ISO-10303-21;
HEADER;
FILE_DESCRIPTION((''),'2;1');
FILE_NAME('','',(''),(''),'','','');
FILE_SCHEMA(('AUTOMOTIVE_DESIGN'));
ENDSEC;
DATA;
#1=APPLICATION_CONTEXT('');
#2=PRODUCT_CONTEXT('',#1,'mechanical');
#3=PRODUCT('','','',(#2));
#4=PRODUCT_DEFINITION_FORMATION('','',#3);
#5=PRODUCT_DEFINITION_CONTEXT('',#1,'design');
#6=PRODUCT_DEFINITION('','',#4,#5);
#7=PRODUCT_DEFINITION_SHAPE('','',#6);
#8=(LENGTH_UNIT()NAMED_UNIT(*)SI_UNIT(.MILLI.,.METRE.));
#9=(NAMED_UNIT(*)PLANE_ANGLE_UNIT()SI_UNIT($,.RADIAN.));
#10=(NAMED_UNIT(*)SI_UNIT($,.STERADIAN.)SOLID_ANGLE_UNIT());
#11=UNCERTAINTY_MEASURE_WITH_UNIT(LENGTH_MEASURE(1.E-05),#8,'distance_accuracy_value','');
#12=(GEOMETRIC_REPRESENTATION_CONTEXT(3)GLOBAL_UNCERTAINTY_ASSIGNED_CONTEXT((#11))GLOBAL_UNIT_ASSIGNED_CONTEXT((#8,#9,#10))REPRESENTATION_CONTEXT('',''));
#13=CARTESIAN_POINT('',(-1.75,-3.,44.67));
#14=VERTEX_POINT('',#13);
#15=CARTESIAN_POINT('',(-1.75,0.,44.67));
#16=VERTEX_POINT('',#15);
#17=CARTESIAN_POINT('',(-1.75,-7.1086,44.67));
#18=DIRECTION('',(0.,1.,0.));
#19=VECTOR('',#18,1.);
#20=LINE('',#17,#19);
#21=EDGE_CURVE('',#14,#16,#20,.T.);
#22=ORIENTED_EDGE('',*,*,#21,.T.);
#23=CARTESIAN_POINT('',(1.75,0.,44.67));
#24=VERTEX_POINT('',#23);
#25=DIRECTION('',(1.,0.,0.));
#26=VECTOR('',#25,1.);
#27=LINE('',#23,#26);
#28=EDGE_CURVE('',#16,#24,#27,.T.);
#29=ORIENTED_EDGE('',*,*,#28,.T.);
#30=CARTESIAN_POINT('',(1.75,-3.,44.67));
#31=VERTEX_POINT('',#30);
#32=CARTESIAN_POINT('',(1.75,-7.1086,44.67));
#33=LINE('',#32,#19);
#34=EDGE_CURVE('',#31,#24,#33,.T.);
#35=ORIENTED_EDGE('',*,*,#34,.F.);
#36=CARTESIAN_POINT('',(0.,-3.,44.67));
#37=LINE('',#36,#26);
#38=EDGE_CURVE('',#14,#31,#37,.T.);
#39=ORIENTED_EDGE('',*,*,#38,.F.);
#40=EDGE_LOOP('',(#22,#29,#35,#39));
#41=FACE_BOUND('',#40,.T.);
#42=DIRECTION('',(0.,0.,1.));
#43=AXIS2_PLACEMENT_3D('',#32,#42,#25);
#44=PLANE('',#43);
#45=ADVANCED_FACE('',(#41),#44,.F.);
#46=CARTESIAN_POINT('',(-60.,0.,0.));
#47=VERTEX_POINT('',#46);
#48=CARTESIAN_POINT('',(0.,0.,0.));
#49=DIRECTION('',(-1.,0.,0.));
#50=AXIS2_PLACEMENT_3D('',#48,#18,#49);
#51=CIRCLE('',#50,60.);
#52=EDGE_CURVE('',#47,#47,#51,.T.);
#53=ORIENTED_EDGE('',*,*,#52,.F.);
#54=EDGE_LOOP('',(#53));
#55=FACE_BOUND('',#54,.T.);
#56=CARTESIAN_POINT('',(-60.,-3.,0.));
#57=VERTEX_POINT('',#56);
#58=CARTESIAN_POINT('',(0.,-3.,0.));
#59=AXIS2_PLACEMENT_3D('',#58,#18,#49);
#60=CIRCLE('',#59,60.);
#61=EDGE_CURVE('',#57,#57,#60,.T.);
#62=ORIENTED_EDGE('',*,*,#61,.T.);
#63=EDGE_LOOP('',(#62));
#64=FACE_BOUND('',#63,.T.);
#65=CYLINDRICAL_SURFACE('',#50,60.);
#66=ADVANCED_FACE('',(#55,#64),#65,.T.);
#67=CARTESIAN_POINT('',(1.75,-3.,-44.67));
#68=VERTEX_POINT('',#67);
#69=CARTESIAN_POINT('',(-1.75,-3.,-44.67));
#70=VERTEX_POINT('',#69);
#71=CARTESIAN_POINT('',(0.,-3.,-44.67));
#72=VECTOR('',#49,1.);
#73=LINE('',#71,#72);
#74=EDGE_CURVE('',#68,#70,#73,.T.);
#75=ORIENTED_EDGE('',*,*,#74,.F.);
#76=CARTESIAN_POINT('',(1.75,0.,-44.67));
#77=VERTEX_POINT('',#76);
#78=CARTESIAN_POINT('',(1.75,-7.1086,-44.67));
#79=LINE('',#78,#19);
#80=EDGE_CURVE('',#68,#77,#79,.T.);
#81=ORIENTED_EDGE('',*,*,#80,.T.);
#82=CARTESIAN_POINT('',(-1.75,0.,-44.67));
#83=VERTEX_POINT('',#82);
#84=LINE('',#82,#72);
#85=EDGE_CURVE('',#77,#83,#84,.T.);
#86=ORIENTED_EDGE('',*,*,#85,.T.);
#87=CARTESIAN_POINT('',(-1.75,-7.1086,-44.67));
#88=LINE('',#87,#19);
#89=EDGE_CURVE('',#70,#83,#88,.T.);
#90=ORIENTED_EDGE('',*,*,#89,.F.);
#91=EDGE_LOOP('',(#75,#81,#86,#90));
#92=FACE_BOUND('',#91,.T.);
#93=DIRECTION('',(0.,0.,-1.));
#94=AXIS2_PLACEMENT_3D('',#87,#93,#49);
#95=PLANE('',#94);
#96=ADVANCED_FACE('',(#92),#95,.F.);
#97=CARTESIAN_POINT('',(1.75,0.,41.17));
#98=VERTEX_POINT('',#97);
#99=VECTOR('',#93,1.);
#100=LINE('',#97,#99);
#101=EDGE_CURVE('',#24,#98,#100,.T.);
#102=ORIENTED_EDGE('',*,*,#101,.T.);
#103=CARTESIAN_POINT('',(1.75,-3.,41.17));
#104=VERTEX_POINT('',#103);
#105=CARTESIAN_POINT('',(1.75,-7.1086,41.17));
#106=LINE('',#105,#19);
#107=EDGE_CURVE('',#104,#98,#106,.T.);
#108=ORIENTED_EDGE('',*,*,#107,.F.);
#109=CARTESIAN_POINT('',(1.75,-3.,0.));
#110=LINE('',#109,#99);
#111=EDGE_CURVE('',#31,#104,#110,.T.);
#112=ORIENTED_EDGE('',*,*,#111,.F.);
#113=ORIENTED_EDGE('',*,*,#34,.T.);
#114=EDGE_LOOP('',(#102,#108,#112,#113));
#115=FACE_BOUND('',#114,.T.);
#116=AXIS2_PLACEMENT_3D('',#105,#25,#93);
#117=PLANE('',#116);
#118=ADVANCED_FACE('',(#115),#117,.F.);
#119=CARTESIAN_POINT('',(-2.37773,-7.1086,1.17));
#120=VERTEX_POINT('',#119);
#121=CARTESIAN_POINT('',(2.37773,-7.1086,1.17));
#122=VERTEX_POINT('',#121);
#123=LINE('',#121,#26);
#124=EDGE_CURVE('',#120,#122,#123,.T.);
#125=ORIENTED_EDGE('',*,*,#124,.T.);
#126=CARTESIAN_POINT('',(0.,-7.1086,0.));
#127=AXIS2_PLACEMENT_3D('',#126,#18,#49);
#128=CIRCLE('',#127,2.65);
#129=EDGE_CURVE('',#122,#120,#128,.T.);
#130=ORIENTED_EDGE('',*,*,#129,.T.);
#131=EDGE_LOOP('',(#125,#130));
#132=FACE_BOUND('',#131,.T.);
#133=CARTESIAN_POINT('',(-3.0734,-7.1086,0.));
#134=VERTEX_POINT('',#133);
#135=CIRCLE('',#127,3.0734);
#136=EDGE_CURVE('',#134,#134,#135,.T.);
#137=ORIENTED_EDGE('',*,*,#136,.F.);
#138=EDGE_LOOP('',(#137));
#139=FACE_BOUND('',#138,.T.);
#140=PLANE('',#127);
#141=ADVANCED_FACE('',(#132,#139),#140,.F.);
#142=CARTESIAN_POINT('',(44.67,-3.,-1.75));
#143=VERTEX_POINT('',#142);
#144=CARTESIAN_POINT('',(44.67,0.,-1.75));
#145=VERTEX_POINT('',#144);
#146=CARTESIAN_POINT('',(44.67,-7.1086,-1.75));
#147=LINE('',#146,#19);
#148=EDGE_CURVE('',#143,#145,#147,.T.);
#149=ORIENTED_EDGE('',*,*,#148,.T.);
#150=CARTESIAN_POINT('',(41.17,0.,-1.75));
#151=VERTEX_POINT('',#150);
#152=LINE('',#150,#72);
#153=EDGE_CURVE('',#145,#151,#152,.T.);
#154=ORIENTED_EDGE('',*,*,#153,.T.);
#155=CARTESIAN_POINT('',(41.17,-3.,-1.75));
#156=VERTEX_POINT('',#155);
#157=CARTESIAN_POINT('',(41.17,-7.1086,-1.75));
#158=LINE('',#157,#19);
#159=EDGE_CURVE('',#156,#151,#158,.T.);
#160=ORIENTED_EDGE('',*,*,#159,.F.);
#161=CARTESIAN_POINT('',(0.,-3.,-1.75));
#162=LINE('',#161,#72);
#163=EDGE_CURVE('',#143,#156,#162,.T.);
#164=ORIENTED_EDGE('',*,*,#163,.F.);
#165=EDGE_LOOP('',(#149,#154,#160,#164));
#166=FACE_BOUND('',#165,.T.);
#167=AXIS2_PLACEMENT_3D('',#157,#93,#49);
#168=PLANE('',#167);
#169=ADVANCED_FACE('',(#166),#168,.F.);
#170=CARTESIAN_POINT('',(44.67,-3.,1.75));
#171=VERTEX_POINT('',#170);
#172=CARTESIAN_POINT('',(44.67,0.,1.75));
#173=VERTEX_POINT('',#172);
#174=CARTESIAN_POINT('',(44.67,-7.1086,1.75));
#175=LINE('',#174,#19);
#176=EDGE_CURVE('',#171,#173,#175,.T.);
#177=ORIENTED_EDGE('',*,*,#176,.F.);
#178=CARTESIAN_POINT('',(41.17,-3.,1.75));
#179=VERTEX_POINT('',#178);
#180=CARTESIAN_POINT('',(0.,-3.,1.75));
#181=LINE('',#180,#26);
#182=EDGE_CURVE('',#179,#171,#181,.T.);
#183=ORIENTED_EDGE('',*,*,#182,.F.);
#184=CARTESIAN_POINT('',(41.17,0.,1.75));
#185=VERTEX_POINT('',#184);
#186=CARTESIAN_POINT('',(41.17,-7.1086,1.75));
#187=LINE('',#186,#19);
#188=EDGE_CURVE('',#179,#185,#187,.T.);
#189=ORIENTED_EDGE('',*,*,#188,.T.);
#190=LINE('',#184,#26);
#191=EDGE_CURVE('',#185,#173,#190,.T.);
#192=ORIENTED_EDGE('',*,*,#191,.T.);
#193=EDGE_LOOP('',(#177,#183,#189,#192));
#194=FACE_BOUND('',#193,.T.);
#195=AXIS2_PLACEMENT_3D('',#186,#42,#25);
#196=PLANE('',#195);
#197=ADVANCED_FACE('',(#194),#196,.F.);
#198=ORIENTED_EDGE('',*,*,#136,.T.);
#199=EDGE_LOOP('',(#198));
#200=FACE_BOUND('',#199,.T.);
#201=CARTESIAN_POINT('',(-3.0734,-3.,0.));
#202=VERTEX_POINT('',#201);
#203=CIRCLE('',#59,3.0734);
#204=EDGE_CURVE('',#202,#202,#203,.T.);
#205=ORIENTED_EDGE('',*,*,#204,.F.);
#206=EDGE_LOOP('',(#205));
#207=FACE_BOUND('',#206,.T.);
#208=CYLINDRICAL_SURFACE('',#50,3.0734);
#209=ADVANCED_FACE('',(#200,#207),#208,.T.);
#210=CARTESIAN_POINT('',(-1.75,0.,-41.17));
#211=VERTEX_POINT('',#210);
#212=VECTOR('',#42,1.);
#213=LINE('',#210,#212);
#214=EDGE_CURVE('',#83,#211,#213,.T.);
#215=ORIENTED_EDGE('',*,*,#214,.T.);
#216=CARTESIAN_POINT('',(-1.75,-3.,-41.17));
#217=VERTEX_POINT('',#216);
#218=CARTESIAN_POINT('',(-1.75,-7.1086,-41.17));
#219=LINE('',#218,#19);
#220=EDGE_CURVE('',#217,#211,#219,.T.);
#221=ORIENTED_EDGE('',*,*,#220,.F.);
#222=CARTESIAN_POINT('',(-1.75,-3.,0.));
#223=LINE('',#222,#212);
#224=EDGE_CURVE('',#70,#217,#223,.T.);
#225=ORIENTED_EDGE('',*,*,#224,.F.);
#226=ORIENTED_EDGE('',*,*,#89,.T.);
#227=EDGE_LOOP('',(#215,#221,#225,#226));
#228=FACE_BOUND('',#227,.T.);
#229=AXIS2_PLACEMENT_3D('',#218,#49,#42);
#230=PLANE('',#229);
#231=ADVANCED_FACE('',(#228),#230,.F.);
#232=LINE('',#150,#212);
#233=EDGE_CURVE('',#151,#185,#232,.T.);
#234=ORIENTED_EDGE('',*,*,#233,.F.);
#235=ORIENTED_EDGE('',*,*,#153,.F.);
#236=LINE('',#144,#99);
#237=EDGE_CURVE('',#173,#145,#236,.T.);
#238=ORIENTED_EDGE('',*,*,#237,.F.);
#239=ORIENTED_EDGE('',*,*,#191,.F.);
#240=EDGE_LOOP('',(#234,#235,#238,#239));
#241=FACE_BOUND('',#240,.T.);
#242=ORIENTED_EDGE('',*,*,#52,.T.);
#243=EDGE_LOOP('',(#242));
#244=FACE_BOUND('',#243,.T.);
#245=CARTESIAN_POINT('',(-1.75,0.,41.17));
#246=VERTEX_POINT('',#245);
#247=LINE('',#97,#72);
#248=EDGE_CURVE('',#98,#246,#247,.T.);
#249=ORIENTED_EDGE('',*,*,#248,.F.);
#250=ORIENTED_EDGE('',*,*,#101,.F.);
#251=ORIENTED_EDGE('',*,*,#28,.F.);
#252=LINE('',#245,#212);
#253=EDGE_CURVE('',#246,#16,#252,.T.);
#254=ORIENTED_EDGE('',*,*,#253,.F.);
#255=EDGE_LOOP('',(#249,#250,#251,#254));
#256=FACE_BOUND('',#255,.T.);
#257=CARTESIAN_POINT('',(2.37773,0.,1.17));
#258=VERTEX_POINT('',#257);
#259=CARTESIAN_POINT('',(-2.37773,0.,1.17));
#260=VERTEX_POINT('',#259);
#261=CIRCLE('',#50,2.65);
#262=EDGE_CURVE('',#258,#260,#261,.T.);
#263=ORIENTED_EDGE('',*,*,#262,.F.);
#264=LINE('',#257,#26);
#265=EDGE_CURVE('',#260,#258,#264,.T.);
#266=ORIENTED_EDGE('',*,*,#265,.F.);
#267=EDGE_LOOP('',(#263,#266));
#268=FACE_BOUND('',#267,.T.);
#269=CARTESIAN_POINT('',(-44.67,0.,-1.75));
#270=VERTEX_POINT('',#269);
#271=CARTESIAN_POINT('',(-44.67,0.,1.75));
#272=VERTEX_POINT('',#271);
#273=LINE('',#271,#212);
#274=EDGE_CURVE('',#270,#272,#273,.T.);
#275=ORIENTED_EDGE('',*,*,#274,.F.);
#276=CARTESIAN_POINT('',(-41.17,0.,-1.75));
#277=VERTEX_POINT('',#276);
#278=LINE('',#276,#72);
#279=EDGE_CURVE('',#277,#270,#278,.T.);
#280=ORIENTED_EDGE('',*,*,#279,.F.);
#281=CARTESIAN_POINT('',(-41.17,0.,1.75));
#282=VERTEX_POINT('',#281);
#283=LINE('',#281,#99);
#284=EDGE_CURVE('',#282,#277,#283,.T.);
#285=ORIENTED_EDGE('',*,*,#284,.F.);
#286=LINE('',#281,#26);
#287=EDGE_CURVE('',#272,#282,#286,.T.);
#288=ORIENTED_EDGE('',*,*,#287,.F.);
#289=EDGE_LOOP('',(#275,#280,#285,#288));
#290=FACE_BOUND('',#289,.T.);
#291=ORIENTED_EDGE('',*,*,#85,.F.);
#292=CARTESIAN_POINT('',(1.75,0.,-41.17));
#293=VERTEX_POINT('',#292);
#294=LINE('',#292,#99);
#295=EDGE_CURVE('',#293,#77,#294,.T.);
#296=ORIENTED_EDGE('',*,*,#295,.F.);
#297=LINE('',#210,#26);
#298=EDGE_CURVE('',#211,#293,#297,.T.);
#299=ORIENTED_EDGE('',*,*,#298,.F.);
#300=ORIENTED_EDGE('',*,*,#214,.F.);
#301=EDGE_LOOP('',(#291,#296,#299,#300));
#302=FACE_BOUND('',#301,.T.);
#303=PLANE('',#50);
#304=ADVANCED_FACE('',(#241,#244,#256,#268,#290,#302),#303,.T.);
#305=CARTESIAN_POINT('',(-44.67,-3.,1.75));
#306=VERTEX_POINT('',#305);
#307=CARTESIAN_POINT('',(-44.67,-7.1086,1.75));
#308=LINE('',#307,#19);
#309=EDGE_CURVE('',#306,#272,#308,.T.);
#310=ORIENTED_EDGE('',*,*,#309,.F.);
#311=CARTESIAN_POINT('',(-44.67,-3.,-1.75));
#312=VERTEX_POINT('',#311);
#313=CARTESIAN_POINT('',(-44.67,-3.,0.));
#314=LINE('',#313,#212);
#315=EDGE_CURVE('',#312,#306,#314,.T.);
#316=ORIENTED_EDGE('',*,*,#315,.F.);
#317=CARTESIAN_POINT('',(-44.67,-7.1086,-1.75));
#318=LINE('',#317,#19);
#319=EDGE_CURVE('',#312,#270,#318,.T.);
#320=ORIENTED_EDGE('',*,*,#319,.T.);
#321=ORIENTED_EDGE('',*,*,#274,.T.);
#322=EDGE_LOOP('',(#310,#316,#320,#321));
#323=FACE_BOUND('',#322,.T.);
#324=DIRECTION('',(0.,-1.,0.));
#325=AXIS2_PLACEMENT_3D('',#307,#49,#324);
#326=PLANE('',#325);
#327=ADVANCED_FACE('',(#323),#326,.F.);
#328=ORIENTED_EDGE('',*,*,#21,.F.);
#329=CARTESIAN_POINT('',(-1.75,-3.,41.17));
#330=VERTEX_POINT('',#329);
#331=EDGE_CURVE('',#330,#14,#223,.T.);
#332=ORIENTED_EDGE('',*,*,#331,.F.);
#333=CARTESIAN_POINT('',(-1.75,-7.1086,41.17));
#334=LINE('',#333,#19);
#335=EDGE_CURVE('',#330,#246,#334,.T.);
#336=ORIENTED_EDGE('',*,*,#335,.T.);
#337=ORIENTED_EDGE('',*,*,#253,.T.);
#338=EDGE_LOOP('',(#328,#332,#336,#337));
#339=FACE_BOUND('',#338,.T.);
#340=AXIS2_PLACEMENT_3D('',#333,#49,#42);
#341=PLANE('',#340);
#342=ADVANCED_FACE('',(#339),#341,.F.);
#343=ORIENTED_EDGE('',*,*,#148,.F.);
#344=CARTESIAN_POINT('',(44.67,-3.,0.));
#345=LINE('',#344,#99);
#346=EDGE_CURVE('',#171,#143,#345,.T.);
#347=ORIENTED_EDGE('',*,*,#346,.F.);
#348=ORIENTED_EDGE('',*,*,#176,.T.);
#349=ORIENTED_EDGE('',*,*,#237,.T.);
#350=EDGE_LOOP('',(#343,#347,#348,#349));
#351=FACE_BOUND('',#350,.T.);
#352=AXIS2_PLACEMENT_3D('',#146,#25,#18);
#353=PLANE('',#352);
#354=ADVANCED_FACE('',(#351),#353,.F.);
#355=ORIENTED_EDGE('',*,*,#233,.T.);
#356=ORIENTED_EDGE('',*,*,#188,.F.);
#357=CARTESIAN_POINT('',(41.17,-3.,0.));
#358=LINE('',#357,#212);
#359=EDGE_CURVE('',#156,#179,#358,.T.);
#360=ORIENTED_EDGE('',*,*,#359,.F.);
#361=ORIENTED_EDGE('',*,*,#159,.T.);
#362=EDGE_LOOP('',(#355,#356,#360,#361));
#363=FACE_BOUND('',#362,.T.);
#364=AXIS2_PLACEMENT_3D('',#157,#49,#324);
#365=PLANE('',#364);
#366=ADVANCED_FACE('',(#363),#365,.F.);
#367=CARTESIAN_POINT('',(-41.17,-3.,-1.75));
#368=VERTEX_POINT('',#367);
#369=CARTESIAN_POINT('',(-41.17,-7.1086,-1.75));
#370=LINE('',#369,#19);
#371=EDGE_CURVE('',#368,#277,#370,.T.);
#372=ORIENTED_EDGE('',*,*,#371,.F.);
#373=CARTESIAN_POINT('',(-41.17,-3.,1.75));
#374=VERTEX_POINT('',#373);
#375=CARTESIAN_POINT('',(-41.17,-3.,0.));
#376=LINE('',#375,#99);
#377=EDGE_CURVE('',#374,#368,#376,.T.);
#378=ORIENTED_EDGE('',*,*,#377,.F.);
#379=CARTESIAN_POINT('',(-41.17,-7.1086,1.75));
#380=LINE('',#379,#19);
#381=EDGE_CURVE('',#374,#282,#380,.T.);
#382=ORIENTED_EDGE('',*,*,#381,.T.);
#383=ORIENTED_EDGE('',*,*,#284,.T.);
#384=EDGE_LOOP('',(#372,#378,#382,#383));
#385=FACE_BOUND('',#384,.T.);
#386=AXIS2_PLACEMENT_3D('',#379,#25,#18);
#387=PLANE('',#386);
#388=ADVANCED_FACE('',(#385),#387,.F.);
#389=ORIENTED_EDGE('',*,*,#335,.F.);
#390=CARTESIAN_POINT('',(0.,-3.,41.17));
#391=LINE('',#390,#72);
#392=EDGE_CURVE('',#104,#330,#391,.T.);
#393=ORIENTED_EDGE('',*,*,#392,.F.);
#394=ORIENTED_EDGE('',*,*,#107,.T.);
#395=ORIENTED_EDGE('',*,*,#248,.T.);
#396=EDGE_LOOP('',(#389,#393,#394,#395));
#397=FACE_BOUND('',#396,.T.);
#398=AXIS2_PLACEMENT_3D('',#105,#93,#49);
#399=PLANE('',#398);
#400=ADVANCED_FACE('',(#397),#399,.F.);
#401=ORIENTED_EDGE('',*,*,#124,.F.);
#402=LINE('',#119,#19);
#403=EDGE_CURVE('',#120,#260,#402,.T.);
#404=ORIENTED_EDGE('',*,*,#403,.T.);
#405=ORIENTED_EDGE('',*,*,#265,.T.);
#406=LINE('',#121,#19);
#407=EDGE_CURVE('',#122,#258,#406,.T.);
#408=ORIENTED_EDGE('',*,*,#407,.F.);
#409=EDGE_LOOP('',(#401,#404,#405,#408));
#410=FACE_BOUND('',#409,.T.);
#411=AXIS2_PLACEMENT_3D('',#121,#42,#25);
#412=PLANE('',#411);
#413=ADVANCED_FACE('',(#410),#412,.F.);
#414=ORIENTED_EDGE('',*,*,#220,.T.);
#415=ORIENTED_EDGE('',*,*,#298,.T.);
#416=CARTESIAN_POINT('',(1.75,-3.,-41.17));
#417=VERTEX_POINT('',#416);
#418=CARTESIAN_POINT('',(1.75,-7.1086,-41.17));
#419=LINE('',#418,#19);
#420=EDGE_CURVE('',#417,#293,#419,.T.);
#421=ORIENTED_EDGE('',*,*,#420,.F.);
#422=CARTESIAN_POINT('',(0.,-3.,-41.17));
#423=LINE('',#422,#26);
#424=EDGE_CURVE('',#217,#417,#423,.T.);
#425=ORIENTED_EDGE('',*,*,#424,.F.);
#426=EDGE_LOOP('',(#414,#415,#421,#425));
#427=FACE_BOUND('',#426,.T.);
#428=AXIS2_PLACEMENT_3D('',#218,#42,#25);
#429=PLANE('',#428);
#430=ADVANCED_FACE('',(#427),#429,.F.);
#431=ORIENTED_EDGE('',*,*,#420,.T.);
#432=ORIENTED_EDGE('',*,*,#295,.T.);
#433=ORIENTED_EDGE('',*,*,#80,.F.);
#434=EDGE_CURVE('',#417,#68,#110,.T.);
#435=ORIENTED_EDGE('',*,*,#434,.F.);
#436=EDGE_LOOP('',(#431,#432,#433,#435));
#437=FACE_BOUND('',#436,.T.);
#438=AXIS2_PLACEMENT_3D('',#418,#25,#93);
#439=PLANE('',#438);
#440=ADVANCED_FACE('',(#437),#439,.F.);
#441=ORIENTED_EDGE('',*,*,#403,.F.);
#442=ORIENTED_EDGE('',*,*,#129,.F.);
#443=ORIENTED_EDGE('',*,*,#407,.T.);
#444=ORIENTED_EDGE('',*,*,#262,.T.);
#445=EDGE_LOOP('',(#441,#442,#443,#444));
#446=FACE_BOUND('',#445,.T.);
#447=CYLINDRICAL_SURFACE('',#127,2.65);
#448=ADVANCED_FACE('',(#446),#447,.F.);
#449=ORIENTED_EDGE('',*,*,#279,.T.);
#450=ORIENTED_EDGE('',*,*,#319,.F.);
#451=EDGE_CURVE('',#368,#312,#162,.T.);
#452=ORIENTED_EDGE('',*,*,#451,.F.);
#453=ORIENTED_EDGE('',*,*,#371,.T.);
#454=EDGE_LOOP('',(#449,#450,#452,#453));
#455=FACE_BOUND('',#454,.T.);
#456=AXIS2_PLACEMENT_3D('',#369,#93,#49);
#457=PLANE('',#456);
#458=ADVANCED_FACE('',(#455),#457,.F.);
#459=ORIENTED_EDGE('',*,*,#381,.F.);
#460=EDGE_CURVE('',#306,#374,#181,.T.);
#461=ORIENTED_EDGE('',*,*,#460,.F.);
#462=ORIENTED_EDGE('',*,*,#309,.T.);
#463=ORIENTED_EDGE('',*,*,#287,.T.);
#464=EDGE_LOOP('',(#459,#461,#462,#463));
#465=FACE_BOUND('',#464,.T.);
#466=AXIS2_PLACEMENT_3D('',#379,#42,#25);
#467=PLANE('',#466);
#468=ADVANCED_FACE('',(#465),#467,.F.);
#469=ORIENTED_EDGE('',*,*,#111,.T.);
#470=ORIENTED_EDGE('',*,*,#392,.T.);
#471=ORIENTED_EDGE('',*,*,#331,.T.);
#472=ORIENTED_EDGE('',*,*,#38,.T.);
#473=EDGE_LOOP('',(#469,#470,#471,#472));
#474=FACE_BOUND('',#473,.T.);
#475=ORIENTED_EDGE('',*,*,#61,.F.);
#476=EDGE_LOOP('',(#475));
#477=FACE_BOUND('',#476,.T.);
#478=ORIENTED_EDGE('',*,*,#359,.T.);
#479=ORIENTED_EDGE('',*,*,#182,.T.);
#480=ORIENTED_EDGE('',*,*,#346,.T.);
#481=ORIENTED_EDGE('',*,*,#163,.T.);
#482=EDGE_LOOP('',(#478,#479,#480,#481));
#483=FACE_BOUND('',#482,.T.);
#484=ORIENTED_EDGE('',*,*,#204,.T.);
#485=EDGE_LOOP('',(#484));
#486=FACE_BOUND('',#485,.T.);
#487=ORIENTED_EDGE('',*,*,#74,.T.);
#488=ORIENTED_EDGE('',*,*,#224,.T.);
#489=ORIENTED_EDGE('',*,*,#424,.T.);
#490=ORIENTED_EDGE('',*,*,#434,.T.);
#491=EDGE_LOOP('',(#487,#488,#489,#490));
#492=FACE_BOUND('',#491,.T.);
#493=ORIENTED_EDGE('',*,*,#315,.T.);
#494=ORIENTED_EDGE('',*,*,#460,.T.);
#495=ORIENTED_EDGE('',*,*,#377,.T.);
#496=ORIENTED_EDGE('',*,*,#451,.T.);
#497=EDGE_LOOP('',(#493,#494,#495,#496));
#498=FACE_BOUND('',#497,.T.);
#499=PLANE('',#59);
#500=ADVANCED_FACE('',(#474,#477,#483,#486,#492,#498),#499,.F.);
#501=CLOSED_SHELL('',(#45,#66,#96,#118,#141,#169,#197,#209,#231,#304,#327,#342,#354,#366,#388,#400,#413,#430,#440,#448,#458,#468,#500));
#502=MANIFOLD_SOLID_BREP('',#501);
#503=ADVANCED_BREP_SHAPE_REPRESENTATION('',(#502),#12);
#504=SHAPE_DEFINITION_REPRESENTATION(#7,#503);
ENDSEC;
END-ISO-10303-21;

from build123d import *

# Parameters (mm, degrees)
SKETCH2_W          = 3.5
SKETCH2_H          = 3.5
CUT_EXTRUDE1_DEPTH = 8.1086


with BuildPart() as part:
    # Sketch1 → Revolve1 (revolve)
    with BuildSketch(Plane.XY):
        Polygon((1.957910998, 0), (0, 0), (0, -2.01497422), (0, -7.1086), (3.0734, -7.1086), (3.0734, -3), (60, -3), (60, 0), align=None)
    revolve(axis=Axis((0, 0, 0), (0, -1, 0)))

    # Sketch2 → Cut-Extrude1 (cut, through all)
    with BuildSketch(Plane(origin=(0, 0, 0), x_dir=(1, 0, 0), z_dir=(0, 1, 0))):
        with BuildLine():
            Line((2.37773001, -1.17), (-2.37773001, -1.17))
            ThreePointArc((-2.37773001, -1.17), (0, 2.65), (2.37773001, -1.17))
        make_face()
        with Locations((-42.92, 0)):
            Rectangle(SKETCH2_W, SKETCH2_H)
        with Locations((0, -42.92)):
            Rectangle(SKETCH2_W, SKETCH2_H)
        with Locations((0, 42.92)):
            Rectangle(SKETCH2_W, SKETCH2_H)
        with Locations((42.92, 0)):
            Rectangle(SKETCH2_W, SKETCH2_H)
    extrude(amount=-CUT_EXTRUDE1_DEPTH, mode=Mode.SUBTRACT)


solid = part.part
